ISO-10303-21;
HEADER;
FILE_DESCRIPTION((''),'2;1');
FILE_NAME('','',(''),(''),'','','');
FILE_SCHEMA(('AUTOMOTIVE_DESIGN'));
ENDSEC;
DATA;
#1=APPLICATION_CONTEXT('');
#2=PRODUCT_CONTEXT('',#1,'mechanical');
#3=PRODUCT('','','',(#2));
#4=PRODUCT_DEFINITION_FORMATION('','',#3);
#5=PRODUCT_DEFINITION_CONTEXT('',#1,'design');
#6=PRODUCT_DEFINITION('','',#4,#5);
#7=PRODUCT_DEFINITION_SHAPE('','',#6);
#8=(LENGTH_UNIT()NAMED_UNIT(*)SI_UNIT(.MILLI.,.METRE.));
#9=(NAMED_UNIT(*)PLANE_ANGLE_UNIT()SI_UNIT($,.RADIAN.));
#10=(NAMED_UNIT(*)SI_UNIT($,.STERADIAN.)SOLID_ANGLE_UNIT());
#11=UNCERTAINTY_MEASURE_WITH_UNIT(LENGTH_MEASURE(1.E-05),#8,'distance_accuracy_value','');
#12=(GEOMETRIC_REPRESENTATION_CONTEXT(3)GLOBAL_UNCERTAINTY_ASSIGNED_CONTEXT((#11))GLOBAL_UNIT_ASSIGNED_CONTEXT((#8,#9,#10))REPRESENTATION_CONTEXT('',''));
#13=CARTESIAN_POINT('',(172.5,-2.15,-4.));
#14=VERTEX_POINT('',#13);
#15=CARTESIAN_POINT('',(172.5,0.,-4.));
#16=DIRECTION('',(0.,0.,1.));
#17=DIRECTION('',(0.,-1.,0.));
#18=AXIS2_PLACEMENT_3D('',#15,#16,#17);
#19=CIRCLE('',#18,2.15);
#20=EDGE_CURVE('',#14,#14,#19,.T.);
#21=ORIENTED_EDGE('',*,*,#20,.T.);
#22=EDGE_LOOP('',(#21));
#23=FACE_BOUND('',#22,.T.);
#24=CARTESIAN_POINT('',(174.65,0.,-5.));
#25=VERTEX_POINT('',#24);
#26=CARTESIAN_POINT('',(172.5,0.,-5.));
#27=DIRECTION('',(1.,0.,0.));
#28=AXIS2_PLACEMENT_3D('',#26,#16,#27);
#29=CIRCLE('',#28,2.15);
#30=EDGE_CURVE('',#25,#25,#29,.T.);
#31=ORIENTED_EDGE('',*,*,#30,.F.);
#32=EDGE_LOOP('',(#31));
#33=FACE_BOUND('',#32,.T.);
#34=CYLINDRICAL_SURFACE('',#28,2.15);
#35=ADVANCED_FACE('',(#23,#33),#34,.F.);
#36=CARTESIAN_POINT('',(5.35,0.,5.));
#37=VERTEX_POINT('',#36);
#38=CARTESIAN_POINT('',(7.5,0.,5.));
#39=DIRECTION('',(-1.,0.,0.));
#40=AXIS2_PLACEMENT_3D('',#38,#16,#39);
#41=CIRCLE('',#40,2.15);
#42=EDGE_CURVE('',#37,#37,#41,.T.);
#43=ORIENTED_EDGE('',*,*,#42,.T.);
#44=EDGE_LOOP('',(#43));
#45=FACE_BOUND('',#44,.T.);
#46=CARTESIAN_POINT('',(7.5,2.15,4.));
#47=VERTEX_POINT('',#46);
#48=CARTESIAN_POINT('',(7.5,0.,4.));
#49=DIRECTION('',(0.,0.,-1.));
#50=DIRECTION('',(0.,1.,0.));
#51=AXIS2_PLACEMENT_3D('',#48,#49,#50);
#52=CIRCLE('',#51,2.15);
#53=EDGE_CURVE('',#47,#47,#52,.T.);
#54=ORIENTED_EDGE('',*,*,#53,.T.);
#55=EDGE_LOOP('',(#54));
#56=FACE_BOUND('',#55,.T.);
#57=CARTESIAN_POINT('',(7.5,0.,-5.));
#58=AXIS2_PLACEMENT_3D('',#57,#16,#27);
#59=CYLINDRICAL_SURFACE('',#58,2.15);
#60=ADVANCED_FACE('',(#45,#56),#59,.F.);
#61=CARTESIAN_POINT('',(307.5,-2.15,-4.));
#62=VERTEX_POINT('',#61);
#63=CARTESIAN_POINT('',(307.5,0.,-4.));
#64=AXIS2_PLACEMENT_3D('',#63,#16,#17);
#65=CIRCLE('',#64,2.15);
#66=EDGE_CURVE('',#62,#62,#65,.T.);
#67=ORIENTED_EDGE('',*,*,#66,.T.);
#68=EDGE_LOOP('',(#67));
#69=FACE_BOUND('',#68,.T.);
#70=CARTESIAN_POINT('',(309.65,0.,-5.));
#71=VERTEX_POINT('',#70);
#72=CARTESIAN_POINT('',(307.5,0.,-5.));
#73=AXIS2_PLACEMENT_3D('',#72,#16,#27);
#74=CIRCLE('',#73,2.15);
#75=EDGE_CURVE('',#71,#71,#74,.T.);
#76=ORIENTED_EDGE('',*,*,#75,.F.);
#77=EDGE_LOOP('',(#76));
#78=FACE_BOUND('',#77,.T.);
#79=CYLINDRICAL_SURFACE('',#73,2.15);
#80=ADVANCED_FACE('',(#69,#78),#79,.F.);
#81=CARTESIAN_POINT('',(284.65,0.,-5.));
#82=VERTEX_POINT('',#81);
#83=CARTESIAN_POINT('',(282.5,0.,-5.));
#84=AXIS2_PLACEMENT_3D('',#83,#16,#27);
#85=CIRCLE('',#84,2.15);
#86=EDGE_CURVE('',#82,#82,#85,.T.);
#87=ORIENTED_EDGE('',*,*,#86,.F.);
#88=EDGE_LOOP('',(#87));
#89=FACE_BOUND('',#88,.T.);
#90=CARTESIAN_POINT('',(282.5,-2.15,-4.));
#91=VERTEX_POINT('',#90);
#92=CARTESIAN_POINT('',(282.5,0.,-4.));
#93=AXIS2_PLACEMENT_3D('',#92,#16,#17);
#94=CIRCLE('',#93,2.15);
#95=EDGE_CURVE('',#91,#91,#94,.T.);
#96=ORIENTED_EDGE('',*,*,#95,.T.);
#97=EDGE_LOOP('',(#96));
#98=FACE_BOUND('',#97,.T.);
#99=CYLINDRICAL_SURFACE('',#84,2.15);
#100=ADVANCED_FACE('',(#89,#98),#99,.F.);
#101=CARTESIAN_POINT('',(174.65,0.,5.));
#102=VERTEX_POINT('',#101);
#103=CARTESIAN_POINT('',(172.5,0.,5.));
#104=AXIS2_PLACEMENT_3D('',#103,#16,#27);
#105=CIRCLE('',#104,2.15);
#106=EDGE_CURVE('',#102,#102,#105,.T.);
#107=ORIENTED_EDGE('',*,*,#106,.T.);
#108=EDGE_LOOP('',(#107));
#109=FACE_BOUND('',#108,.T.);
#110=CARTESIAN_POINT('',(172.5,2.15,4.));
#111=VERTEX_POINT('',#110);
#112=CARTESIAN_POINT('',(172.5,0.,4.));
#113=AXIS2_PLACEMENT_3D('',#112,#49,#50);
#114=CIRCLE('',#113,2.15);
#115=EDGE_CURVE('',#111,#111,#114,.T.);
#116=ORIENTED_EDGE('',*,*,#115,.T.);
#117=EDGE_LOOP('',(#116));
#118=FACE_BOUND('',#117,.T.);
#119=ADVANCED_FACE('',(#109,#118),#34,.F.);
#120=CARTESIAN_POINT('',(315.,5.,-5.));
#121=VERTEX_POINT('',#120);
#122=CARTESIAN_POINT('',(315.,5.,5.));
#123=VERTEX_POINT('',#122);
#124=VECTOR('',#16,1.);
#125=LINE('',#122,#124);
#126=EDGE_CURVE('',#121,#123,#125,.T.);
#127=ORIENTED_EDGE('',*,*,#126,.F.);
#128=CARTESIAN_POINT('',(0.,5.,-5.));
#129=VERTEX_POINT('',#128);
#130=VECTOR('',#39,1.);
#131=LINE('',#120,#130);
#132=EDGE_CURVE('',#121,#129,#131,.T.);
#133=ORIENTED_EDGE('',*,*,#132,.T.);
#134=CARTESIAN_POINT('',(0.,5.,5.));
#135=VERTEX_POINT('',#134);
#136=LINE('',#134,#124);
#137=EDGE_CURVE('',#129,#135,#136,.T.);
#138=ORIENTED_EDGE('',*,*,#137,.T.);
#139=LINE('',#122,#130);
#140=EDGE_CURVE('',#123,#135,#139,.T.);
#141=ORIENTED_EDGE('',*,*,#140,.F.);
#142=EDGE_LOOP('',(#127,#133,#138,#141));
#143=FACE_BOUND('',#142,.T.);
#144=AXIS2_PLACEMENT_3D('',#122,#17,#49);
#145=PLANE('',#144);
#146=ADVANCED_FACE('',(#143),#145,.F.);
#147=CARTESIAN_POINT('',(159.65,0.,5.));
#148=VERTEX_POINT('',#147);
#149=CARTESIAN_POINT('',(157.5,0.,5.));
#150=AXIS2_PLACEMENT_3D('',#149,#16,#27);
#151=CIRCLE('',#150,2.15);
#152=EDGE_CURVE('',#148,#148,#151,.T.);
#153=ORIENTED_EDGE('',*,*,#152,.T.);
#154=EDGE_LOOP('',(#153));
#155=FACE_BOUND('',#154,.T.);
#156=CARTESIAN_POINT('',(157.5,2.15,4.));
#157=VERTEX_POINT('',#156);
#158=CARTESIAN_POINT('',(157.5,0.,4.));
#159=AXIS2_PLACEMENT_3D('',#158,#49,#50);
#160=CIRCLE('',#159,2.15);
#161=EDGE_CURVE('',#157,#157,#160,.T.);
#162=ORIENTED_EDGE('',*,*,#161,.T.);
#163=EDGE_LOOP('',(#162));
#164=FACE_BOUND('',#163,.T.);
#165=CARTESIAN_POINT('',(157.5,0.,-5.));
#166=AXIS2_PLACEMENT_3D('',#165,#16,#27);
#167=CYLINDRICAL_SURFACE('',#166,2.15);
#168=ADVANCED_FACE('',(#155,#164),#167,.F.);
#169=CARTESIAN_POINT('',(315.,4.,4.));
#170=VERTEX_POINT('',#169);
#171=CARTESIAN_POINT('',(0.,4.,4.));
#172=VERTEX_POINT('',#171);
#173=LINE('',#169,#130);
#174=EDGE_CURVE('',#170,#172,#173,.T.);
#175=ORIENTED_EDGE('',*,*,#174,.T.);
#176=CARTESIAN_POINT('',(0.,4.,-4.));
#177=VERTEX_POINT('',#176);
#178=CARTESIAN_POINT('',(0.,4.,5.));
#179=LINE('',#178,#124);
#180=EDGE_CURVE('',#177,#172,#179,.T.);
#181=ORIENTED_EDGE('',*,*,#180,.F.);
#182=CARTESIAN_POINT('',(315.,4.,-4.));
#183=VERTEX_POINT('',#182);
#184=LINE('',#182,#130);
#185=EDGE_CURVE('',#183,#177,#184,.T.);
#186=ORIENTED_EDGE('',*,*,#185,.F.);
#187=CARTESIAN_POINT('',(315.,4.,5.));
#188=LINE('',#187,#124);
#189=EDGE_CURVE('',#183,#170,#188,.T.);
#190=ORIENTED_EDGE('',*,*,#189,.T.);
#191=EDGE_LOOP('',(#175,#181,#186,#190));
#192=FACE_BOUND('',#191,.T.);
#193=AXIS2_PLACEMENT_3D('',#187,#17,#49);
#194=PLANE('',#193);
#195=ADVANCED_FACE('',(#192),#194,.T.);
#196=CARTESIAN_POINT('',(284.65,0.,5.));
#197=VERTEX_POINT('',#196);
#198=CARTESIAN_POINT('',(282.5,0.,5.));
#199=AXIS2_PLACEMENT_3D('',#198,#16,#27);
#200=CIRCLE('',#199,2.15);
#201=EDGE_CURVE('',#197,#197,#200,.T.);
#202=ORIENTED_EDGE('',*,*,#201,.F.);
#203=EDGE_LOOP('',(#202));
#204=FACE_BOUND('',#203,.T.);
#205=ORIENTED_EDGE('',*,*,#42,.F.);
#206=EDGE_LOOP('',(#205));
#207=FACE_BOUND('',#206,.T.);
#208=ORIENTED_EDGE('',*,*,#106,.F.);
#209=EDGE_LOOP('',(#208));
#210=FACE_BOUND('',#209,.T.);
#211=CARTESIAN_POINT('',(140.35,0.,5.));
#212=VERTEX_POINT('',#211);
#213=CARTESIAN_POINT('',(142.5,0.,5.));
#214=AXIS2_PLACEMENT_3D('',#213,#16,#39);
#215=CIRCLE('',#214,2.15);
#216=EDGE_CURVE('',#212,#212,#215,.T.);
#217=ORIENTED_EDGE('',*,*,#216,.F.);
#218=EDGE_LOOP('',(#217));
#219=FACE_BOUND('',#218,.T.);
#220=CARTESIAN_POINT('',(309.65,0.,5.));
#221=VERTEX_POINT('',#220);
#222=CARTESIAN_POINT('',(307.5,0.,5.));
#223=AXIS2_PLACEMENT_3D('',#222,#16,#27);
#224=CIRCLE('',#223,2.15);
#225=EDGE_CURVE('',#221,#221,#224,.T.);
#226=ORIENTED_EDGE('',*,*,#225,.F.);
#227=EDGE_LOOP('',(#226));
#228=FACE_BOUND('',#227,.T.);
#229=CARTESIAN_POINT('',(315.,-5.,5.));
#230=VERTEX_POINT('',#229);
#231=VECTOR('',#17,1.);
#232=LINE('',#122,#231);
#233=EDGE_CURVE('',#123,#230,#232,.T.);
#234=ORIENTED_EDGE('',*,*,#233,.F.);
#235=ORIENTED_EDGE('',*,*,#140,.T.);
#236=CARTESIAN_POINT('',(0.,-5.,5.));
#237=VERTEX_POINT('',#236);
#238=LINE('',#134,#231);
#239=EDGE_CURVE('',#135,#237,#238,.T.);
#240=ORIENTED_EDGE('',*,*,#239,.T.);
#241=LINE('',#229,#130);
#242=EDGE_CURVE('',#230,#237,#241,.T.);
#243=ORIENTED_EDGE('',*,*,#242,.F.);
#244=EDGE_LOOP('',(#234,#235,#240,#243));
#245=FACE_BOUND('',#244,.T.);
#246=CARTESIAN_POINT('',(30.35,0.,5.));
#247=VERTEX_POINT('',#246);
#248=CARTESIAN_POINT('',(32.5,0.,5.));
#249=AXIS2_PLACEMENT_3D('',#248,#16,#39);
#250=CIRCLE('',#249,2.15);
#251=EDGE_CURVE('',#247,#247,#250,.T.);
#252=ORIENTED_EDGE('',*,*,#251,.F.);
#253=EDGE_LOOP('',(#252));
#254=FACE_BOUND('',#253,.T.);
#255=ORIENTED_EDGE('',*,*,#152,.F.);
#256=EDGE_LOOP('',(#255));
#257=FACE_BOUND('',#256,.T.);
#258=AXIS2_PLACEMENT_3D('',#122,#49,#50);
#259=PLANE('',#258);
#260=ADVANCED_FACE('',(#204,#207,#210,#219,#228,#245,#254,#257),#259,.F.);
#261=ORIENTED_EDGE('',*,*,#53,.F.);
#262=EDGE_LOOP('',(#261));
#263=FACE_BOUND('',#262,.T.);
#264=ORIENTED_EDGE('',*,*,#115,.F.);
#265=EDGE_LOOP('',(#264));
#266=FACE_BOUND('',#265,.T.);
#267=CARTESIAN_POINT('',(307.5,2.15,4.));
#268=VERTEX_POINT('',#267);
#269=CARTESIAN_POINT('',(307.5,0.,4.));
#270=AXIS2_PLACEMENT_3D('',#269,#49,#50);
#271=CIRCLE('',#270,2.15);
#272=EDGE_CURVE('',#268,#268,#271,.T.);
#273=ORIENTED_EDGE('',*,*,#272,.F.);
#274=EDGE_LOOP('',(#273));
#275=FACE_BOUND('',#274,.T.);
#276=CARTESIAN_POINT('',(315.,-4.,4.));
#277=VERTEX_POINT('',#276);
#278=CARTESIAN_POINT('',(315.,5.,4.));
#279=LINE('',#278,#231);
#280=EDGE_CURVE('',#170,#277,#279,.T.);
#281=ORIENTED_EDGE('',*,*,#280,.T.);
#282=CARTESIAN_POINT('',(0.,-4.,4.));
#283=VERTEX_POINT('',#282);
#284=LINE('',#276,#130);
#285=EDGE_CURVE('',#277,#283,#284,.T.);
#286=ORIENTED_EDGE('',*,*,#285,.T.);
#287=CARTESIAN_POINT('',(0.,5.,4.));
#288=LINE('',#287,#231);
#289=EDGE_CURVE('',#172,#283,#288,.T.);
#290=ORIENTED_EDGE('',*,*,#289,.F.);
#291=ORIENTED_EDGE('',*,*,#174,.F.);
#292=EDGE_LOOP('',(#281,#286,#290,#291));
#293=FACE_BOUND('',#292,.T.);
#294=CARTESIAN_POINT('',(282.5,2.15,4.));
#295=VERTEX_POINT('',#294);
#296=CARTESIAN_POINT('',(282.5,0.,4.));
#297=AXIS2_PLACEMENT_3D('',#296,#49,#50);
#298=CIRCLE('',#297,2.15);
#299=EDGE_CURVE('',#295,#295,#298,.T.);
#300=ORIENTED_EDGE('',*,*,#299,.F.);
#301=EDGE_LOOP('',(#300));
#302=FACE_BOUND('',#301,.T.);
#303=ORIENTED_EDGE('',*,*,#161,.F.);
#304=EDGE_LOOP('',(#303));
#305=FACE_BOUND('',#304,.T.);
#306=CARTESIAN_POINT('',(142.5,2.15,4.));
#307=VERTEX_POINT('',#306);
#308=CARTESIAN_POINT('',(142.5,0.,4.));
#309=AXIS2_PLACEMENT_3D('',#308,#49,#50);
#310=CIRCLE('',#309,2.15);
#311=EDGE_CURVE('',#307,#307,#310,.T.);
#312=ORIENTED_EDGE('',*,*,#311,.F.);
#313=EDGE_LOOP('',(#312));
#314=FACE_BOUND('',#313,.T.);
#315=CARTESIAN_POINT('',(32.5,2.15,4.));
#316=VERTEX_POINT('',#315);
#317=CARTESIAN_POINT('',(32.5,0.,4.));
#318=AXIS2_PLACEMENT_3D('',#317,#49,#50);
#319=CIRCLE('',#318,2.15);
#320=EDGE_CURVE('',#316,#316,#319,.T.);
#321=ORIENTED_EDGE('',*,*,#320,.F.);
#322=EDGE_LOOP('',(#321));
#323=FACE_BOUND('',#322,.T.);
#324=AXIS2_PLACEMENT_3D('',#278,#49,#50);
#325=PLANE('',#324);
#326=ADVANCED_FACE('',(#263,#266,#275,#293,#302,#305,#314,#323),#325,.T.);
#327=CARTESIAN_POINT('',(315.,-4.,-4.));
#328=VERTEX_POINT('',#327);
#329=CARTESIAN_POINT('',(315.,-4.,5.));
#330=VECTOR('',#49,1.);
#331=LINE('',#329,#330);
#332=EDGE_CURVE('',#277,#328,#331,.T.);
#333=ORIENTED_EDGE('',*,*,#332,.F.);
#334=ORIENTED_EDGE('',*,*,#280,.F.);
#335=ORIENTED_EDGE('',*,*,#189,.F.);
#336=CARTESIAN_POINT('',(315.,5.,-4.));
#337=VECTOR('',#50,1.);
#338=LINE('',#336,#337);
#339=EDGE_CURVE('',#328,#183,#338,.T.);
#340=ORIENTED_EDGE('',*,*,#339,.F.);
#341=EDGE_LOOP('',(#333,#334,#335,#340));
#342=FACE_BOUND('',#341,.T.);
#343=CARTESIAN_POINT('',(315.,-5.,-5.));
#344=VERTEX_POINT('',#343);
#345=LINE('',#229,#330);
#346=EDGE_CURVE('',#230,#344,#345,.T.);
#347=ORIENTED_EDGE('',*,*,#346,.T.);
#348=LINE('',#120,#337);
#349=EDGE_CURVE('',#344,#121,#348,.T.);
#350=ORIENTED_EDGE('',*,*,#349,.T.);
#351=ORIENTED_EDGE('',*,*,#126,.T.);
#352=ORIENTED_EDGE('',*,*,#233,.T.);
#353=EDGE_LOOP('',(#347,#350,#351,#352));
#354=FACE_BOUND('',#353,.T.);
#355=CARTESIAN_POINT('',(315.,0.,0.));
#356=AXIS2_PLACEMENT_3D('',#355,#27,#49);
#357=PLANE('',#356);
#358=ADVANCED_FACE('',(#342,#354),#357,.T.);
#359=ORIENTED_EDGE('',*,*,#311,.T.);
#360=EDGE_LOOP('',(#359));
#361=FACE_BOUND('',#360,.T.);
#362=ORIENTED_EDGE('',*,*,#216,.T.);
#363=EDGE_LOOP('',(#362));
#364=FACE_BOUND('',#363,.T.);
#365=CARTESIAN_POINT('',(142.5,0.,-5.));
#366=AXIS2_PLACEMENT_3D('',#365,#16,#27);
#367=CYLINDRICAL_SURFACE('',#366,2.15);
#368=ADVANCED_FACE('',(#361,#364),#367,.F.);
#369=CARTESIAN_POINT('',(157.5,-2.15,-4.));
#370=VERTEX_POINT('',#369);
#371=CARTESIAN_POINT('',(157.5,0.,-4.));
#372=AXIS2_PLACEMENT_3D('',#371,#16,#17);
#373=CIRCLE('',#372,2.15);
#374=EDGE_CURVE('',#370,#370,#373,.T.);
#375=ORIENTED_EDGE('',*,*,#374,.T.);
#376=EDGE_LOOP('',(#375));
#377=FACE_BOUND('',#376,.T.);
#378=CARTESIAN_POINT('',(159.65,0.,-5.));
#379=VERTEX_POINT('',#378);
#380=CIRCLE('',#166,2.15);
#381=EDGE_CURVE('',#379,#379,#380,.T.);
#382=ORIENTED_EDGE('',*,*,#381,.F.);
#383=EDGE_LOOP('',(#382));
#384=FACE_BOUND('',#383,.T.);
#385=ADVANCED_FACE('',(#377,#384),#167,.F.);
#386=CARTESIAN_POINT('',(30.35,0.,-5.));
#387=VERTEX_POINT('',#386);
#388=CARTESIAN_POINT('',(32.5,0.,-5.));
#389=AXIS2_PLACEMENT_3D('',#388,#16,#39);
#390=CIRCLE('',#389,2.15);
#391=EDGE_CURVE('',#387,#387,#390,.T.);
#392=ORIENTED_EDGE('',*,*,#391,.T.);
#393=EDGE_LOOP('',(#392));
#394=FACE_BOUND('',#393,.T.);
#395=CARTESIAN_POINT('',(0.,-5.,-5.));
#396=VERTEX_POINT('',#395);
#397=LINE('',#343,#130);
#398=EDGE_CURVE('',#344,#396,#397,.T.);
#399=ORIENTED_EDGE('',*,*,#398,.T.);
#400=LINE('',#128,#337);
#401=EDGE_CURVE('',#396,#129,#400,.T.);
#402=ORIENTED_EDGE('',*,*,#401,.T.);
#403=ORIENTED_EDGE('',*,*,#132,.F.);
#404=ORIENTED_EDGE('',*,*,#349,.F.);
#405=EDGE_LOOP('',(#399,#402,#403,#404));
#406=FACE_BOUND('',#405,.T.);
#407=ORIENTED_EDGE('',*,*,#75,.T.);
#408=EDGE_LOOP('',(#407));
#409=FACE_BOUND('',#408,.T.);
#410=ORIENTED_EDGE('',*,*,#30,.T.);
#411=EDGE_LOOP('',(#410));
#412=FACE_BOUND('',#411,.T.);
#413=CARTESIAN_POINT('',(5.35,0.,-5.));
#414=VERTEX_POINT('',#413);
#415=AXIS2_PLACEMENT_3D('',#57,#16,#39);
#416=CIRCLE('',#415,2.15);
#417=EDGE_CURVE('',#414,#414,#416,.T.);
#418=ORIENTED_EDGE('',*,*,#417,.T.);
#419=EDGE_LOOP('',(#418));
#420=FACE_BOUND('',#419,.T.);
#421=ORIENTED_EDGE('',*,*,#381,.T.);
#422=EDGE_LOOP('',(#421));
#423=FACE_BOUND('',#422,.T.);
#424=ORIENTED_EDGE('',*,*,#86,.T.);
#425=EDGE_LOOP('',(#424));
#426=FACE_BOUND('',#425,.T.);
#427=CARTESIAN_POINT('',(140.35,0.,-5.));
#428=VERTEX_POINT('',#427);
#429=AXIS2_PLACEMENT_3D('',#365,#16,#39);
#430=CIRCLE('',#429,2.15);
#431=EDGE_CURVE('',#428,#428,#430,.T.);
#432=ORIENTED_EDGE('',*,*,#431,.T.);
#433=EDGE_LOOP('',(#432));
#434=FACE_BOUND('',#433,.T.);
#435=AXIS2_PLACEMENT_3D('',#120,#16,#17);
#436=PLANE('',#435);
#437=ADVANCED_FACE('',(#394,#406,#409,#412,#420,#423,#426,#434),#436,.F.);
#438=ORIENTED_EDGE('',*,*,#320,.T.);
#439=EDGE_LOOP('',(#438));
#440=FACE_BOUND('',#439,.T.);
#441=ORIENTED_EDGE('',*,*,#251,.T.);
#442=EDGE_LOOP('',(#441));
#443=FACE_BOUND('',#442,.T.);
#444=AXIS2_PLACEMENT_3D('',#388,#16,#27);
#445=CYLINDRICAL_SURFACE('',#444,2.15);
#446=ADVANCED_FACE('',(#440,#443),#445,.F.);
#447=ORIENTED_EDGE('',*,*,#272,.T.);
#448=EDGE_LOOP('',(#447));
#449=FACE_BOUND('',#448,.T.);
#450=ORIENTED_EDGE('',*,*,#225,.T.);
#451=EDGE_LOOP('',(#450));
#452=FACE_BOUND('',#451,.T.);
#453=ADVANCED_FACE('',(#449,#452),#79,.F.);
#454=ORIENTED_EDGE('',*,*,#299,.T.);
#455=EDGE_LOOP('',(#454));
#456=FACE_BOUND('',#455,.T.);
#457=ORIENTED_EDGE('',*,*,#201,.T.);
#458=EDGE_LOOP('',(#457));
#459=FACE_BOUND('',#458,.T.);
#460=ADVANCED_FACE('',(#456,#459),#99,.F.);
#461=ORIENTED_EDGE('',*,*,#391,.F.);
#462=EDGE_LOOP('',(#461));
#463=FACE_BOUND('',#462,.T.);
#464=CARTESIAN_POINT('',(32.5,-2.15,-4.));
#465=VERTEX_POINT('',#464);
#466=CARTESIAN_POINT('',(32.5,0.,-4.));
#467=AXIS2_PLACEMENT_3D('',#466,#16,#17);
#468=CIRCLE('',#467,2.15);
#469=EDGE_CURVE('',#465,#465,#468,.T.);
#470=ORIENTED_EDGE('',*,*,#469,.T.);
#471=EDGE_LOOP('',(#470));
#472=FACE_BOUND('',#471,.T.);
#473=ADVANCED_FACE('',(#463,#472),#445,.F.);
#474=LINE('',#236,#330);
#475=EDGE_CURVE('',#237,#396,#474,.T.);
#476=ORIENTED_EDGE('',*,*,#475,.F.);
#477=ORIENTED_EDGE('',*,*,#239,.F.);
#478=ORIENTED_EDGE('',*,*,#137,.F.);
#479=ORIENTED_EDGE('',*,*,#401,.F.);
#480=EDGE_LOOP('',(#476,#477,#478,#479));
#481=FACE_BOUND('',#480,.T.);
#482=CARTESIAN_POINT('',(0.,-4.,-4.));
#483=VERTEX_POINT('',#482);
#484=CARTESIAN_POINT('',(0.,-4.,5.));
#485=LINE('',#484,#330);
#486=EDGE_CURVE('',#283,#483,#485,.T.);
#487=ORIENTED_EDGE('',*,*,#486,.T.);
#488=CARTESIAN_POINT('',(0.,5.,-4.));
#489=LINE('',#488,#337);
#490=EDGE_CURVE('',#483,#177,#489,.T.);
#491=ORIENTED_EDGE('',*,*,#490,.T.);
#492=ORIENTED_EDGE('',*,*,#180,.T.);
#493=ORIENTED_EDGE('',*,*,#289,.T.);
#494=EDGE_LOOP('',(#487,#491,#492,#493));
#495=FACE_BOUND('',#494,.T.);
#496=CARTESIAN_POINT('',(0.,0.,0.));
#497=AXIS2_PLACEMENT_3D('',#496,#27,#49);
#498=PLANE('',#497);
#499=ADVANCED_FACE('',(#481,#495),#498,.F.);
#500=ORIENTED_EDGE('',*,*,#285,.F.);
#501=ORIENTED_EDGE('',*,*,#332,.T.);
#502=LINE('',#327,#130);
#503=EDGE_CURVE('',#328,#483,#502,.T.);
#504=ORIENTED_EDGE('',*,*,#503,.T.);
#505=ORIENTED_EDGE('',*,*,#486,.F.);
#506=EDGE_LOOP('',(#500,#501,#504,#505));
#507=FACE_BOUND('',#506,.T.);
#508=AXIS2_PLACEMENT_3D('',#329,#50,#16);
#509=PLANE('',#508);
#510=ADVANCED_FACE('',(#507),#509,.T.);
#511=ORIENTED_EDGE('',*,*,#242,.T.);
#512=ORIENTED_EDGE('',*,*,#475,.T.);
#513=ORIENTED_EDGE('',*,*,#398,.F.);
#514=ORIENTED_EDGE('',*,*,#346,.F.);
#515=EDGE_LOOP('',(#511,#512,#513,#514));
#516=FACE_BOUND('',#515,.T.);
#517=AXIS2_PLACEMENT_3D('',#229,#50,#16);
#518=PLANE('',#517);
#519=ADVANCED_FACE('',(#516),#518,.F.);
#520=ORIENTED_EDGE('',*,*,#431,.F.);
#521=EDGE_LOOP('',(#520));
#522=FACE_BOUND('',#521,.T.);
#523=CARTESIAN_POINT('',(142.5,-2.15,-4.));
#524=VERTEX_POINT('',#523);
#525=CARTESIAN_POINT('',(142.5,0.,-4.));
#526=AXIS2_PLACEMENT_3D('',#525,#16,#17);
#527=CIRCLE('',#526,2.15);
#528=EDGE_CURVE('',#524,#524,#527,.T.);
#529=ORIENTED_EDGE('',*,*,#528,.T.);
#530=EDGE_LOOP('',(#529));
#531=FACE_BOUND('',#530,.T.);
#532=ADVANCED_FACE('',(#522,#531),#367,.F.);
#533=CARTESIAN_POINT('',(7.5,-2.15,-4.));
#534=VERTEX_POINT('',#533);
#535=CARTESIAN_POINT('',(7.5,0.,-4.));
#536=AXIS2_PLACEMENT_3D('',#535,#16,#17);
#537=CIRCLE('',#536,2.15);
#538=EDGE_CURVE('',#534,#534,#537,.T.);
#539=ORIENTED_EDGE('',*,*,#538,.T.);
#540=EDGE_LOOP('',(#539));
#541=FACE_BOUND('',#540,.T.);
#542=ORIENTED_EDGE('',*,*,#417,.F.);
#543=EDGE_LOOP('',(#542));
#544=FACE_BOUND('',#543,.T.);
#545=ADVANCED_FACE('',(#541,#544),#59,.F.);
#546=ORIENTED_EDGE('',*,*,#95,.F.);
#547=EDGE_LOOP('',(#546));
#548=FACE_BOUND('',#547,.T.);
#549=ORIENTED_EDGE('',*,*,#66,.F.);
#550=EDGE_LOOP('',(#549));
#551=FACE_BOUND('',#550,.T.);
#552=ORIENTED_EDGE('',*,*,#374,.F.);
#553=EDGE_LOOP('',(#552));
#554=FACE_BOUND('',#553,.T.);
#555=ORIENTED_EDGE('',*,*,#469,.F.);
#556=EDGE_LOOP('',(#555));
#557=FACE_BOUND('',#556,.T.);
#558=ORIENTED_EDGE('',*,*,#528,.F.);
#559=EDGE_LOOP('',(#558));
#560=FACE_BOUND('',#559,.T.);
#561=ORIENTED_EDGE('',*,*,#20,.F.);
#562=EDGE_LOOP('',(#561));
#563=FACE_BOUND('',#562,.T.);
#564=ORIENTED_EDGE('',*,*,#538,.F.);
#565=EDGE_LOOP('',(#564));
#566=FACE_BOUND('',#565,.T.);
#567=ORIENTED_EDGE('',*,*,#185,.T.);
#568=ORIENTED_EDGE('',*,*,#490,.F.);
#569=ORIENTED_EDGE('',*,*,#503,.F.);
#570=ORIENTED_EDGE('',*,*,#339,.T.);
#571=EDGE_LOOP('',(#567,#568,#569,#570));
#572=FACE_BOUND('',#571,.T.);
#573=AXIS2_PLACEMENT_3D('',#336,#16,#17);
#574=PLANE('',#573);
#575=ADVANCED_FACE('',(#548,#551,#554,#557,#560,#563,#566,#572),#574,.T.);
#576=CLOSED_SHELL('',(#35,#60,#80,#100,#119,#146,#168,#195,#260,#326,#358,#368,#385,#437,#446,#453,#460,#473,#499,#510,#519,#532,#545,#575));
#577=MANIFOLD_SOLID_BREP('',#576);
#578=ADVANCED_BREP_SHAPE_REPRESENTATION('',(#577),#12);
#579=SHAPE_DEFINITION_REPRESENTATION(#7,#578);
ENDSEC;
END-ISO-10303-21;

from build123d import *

# Parameters (mm, degrees)
SKETCH_1_W          = 10
SKETCH_1_H          = 10
SKETCH_1_W_2        = 8
SKETCH_1_H_2        = 8
EXTRUDE_1_DEPTH     = 315
SKETCH_2_R          = 2.15
CUT_EXTRUDE_1_DEPTH = 316.198350249


with BuildPart() as part:
    # Sketch 1 → Extrude 1 (new body)
    with BuildSketch(Plane(origin=(0, 0, 0), x_dir=(0, 0, -1), z_dir=(1, 0, 0))):
        Rectangle(SKETCH_1_W, SKETCH_1_H)
        Rectangle(SKETCH_1_W_2, SKETCH_1_H_2, mode=Mode.SUBTRACT)
    extrude(amount=EXTRUDE_1_DEPTH)

    # Sketch 2 → Cut-Extrude 1 (cut, through all)
    with BuildSketch(Plane.XY.offset(5)):
        with Locations((307.5, 0)):
            Circle(SKETCH_2_R)
        with Locations((282.5, 0)):
            Circle(SKETCH_2_R)
        with Locations(Location((7.5, 0, 0), (0, 0, 90))):
            Circle(SKETCH_2_R)
        with Locations(Location((32.5, 0, 0), (0, 0, 90))):
            Circle(SKETCH_2_R)
        with Locations((172.5, 0)):
            Circle(SKETCH_2_R)
        with Locations((157.5, 0)):
            Circle(SKETCH_2_R)
        with Locations(Location((142.5, 0, 0), (0, 0, 90))):
            Circle(SKETCH_2_R)
    extrude(amount=-CUT_EXTRUDE_1_DEPTH, mode=Mode.SUBTRACT)


solid = part.part
